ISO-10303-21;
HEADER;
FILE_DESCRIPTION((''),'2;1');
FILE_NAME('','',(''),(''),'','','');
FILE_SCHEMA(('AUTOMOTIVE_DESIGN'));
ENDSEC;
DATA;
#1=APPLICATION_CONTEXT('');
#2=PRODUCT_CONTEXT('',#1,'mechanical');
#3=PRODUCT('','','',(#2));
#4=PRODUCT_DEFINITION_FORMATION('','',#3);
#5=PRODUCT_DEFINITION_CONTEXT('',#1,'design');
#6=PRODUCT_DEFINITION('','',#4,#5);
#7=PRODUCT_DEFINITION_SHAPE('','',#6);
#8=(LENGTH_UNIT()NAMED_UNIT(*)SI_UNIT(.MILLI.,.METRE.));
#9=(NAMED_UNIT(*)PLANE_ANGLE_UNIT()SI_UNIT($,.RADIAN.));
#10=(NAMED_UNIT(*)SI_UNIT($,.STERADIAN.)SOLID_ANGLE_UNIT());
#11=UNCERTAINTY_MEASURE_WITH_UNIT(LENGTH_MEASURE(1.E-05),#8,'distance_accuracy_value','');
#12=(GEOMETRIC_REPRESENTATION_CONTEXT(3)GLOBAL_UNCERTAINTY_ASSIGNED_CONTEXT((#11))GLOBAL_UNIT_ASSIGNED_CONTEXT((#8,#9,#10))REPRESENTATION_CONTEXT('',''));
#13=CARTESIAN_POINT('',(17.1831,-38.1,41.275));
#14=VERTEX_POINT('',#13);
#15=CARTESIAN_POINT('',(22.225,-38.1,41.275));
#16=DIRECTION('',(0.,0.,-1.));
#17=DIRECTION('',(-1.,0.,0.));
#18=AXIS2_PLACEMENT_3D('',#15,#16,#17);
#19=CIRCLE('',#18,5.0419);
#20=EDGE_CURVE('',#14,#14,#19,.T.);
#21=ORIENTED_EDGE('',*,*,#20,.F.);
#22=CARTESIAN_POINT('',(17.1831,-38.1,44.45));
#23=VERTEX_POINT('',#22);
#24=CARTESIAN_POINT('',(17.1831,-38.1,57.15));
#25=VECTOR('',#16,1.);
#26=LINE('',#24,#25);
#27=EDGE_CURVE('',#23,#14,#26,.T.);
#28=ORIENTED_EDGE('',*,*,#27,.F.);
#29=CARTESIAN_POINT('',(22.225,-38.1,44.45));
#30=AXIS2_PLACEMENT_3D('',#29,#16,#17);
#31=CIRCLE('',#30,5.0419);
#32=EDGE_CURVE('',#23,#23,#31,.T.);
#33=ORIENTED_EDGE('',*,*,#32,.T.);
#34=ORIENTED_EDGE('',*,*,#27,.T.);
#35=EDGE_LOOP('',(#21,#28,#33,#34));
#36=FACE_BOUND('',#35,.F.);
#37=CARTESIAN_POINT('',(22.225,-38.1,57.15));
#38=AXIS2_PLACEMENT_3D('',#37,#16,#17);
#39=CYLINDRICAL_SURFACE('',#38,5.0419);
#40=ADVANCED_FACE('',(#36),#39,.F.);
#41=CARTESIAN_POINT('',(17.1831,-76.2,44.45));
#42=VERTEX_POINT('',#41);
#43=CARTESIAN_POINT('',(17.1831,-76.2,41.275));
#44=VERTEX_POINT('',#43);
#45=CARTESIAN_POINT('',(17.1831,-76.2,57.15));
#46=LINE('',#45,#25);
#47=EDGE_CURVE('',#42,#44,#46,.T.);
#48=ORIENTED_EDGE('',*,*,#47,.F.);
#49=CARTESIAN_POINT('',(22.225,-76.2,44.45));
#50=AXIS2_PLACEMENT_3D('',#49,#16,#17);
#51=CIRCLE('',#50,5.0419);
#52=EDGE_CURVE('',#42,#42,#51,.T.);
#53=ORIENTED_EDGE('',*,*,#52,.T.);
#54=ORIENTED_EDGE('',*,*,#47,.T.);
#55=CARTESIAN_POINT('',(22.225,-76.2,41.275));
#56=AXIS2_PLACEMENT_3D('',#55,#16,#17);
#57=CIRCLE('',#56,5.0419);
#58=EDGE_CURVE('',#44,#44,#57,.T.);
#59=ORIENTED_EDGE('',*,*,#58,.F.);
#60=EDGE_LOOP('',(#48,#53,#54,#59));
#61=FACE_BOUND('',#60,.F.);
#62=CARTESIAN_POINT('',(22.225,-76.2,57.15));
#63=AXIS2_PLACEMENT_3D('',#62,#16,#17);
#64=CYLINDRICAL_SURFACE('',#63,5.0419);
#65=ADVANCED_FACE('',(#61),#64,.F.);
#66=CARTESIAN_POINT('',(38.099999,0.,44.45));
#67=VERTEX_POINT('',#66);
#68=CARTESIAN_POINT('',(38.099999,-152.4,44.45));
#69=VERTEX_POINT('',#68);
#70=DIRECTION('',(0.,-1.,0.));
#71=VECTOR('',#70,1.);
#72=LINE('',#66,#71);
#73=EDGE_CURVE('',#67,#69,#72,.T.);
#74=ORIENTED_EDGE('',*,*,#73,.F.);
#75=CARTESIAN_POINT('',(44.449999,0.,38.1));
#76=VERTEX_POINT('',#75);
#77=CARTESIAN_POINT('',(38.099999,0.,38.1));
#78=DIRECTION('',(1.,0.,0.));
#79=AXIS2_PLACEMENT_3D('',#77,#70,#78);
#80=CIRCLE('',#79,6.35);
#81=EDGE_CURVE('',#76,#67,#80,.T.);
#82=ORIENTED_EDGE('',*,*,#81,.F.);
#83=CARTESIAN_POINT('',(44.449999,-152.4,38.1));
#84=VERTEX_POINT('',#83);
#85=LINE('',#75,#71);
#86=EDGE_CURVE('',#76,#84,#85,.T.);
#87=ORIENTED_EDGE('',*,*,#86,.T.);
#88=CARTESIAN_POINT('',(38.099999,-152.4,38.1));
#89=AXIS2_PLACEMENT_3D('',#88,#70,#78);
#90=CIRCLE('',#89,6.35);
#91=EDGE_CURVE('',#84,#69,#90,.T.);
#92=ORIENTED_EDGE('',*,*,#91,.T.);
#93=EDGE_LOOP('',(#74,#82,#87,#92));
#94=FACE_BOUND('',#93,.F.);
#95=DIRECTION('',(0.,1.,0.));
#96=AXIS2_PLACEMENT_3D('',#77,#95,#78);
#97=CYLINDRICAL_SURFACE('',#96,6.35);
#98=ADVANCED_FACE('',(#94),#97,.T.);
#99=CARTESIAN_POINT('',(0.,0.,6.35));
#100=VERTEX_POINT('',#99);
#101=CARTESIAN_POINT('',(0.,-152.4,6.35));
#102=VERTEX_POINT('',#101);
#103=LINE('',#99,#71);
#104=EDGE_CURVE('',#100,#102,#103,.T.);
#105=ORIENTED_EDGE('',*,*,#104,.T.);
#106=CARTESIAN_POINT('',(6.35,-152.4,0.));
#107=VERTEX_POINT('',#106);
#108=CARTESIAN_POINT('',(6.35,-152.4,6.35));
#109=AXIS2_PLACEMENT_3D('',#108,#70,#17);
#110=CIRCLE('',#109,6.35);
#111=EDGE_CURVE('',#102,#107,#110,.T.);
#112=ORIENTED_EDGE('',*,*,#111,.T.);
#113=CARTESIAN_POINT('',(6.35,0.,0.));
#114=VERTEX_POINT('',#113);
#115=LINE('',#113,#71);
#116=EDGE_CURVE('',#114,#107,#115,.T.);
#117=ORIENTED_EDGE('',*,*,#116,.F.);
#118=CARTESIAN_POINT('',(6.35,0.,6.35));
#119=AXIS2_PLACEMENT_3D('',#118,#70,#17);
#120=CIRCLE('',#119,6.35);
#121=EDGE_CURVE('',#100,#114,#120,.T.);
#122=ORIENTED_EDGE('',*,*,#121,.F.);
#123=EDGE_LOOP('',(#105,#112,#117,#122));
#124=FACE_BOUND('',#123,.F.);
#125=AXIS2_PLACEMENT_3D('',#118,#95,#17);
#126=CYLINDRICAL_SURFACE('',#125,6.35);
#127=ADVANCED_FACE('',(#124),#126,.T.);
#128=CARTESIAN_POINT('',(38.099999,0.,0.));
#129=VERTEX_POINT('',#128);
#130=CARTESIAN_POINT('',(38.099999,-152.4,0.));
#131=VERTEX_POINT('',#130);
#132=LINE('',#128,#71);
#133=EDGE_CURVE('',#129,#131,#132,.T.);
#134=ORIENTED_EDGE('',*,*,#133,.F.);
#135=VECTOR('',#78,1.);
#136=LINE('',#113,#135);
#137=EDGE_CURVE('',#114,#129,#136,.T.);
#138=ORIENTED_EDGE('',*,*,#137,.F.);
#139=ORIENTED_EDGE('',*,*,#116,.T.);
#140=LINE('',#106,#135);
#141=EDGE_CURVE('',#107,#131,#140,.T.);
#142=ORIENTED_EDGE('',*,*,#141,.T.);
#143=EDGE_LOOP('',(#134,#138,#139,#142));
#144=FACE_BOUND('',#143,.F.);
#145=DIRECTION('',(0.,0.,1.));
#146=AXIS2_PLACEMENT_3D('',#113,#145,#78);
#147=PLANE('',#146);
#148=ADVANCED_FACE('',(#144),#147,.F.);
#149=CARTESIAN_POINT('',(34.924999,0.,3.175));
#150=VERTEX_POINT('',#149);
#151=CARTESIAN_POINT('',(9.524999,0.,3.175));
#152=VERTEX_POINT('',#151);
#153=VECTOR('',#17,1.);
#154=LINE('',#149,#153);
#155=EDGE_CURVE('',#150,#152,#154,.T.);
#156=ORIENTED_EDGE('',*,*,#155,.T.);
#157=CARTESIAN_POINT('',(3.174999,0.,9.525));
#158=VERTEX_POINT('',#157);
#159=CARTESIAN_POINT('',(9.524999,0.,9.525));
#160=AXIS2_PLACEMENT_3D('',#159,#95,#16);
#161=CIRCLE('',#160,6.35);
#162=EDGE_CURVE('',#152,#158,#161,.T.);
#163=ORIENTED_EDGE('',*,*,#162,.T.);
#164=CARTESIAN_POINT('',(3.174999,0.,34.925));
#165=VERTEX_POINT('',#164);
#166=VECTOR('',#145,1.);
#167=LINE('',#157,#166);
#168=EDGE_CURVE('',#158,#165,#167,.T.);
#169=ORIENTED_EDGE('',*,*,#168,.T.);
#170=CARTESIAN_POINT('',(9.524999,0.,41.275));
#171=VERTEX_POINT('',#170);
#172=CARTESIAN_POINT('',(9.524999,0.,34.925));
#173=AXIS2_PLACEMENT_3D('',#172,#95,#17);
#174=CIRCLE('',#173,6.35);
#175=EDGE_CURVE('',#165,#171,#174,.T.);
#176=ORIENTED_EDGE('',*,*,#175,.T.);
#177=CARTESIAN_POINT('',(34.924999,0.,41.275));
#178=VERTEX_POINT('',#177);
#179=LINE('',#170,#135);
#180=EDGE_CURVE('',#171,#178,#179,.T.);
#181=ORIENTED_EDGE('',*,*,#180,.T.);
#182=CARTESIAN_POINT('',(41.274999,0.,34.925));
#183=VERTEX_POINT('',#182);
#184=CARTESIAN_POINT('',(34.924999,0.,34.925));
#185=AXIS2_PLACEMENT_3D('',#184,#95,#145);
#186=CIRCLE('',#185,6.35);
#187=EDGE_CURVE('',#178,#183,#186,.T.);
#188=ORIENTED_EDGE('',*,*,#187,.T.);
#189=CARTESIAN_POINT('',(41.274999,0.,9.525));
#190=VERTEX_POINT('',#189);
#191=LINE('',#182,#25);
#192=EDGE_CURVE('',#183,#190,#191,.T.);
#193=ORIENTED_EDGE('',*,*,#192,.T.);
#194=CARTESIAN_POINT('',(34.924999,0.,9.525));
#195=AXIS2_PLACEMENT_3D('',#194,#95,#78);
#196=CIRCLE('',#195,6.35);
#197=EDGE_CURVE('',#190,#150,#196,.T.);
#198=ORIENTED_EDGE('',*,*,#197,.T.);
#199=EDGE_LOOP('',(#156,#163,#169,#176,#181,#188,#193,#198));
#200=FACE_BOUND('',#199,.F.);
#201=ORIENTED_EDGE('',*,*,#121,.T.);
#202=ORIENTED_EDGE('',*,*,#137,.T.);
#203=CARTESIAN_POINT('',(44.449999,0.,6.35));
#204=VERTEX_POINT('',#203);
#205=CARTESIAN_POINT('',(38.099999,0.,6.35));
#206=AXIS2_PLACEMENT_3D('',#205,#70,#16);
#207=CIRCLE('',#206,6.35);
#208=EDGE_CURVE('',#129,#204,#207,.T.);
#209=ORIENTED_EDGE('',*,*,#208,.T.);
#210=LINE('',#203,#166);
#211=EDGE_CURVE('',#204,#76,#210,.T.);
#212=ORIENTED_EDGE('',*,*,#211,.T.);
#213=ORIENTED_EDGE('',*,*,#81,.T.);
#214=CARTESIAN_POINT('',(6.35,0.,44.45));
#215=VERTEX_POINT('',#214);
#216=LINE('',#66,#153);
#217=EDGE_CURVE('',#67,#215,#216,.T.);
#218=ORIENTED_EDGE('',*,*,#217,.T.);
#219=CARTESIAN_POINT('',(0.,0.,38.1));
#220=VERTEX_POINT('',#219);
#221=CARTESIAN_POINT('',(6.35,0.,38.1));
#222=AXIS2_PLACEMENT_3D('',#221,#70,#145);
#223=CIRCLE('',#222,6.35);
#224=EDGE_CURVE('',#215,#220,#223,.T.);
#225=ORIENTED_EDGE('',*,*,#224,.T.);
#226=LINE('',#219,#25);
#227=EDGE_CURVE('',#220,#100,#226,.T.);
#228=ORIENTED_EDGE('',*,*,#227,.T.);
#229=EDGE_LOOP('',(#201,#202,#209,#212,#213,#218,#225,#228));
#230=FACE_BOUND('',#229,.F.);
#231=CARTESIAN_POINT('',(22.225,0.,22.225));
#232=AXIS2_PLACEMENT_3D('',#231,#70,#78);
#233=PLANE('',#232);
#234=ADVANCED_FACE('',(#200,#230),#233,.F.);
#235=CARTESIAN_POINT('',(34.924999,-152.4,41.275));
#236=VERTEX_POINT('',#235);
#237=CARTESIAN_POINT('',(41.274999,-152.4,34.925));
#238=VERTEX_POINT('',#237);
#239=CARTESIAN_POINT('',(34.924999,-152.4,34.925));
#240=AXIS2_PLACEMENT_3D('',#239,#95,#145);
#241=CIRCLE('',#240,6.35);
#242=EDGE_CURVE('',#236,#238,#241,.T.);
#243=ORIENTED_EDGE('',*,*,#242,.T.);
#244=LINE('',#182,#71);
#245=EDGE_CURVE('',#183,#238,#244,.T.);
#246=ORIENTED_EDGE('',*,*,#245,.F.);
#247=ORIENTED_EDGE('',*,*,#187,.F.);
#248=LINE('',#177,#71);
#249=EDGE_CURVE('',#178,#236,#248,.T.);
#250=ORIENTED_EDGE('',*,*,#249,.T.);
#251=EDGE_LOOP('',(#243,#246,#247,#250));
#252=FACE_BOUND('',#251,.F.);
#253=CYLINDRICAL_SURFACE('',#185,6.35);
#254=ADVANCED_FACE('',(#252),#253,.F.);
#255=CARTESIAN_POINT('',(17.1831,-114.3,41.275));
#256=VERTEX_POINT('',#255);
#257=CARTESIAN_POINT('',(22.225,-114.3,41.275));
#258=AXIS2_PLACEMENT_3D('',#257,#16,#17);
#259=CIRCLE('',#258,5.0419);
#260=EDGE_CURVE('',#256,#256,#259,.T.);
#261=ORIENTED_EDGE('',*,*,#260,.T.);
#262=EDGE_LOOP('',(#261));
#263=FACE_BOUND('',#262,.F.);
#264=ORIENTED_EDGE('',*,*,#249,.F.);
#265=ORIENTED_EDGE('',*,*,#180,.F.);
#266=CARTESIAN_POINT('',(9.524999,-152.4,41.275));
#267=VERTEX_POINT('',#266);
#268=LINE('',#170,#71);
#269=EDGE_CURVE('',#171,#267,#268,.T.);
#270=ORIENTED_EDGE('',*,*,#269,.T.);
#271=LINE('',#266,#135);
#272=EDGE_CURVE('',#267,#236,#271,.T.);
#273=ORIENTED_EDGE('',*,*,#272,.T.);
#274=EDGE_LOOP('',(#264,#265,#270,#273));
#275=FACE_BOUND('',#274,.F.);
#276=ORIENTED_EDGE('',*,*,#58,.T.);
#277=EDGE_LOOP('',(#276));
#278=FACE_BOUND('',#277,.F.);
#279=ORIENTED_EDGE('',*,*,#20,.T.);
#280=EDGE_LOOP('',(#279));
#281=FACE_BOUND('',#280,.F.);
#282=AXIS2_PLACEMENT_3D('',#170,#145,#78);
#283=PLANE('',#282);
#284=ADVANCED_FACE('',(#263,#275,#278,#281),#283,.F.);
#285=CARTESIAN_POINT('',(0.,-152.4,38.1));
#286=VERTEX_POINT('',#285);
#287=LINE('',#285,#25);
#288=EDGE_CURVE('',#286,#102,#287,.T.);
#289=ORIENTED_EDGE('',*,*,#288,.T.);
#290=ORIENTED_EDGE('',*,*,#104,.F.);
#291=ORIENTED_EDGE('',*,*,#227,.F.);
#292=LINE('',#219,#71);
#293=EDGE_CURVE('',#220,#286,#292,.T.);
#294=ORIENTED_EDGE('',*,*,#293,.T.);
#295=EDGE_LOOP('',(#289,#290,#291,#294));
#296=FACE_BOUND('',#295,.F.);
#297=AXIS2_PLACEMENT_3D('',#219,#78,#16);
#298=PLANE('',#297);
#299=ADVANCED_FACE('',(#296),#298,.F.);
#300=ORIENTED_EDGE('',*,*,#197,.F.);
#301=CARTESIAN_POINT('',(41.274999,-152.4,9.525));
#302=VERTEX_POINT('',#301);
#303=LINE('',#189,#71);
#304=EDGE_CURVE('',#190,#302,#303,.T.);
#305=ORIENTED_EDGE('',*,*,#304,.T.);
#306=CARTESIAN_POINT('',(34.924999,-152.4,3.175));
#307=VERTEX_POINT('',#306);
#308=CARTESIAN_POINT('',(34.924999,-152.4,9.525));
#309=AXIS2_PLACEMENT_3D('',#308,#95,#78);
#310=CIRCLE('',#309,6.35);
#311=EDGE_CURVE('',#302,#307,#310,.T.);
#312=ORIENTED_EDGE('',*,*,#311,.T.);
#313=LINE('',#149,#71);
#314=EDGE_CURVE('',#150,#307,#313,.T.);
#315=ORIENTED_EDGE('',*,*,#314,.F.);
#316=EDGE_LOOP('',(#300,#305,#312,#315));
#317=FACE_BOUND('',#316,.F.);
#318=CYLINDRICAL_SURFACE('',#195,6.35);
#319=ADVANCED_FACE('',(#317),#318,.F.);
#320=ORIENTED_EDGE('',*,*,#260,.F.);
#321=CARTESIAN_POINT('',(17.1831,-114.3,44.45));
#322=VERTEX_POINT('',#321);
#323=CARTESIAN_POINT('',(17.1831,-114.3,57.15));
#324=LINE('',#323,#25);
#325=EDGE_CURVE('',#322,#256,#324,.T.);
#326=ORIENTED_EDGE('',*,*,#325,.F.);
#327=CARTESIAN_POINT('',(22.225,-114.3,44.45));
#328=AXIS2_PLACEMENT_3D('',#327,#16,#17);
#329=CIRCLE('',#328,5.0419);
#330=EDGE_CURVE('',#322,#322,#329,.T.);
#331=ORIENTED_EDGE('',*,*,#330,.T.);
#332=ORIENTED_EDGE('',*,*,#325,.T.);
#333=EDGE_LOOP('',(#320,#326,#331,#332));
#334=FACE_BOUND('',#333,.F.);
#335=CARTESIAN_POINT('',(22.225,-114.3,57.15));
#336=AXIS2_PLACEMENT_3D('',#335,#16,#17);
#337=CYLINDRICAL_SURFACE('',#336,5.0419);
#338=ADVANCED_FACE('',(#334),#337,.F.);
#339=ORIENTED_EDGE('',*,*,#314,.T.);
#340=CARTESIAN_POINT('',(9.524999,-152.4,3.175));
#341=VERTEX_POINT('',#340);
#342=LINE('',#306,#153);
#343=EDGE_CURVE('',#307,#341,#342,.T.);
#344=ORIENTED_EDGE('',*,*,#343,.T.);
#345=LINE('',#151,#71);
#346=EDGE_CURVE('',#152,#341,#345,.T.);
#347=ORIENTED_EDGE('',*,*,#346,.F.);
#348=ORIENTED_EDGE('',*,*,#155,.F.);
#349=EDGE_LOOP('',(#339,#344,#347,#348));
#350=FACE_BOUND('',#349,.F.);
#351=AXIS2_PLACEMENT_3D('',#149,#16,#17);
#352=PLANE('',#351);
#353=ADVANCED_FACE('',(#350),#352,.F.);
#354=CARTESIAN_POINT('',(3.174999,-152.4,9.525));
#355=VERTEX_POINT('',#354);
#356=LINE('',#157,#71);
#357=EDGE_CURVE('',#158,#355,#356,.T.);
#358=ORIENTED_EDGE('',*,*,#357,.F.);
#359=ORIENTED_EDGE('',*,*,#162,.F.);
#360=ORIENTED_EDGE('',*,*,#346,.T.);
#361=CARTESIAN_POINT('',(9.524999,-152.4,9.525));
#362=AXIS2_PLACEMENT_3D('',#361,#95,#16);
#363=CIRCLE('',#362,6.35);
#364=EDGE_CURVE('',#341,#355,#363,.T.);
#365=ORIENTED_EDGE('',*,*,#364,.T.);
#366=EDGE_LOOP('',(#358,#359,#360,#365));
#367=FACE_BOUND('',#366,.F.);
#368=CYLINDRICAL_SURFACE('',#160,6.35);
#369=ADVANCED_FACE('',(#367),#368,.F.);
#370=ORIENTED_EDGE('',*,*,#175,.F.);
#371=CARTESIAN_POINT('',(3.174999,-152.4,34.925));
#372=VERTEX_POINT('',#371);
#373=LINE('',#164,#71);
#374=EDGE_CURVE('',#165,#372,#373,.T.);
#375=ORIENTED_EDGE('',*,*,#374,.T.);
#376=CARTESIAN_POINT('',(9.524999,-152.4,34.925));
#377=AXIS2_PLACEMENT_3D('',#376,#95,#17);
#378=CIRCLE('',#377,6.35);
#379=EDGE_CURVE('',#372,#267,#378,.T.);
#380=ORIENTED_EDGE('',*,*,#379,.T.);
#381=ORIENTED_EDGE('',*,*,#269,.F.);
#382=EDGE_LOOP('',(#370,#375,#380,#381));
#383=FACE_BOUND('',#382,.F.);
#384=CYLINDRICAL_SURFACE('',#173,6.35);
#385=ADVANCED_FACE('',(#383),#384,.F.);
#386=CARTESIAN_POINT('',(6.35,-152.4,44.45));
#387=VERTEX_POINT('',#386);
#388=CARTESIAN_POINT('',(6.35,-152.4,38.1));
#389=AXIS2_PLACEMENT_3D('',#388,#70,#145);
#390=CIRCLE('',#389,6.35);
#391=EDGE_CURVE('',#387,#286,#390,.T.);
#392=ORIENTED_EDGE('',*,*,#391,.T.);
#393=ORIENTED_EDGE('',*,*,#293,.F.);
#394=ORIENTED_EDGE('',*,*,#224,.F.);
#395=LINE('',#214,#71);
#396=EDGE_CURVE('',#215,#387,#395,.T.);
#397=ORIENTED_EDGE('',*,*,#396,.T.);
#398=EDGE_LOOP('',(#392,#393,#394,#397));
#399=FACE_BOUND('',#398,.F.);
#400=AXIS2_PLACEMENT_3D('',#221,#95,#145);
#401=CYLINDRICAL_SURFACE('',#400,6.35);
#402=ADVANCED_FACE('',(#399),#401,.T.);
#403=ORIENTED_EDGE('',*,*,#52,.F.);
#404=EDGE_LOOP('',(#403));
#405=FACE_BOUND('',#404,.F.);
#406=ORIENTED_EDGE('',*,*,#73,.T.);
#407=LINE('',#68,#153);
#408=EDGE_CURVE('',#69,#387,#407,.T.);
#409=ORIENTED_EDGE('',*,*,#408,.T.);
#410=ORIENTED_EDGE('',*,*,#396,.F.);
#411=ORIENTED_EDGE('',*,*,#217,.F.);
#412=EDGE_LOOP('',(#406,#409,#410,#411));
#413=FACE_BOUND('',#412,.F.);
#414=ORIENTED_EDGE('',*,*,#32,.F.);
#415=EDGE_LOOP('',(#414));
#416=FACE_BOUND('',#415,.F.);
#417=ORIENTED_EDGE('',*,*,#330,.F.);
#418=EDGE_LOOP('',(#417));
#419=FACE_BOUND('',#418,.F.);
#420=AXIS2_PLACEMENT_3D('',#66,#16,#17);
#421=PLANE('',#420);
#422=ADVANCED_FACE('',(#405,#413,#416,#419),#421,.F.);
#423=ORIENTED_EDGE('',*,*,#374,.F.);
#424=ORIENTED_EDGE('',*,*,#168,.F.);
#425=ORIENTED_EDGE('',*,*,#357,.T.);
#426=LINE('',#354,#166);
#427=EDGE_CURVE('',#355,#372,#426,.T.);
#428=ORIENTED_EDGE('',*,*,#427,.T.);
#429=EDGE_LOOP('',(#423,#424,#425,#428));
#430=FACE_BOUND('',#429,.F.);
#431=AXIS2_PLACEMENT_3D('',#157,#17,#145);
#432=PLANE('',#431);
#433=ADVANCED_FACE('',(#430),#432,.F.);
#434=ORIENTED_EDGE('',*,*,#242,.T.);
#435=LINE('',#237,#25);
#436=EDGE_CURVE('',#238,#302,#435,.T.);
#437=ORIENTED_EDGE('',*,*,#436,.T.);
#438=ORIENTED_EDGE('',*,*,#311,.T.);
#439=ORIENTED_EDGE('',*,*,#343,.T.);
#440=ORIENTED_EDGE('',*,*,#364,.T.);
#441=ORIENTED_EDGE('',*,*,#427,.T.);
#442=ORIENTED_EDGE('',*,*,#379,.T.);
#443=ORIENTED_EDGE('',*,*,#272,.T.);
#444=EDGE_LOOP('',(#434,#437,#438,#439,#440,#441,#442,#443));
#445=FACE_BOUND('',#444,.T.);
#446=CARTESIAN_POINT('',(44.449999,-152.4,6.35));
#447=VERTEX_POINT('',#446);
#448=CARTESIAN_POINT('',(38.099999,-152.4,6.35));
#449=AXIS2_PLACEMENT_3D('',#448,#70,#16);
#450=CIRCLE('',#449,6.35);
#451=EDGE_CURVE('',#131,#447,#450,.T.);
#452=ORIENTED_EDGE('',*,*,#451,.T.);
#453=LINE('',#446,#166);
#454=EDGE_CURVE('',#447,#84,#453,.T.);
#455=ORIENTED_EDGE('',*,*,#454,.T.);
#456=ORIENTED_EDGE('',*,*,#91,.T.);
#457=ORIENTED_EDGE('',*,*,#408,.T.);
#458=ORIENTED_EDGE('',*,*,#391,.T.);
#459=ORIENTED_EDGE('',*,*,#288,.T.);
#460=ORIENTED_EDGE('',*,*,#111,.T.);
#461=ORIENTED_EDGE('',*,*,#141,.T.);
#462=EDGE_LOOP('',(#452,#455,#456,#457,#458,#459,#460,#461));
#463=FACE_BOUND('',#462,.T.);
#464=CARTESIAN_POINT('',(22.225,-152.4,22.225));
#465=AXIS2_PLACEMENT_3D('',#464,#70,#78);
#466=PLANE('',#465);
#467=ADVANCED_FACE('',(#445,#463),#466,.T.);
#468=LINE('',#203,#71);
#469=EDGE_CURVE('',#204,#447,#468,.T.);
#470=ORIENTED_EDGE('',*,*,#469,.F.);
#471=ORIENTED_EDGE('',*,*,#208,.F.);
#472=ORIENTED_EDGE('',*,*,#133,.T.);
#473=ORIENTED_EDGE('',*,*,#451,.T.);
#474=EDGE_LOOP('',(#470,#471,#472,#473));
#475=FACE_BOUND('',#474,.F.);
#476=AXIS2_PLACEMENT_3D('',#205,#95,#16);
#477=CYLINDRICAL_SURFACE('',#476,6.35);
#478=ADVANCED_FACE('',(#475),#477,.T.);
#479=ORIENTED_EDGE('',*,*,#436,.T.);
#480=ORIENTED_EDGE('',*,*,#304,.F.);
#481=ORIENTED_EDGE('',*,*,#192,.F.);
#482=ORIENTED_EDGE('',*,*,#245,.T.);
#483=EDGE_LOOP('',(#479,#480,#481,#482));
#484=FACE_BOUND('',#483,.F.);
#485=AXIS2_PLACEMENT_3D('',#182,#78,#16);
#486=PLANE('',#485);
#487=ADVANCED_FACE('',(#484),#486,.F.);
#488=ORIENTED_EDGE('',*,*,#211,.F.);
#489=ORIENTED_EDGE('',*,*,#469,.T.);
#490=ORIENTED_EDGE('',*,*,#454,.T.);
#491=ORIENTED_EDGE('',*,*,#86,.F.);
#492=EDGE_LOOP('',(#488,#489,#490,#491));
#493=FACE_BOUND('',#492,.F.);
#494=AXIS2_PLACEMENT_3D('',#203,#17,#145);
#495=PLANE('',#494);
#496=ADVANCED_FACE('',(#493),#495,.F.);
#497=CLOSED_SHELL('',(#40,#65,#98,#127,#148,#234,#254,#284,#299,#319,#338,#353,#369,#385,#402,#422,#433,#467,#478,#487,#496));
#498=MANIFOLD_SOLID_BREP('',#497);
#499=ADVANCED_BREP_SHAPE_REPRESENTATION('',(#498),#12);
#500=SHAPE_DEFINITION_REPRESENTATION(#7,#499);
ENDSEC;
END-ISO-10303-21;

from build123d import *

# Parameters (mm, degrees)
F1_DEPTH = 152.4
F3_D     = 10.0838
F3_DEPTH = 12.7
F3_TIP   = 3.0294791551


with BuildPart() as f1:
    # F0 (on Front) → F1 (new body)
    with BuildSketch(Plane.XZ):
        with BuildLine():
            ThreePointArc((0, 6.35), (1.8598719395, 1.8598719395), (6.35, 0))
            Line((6.35, 0), (38.0999993515, 0))
            ThreePointArc((38.0999993515, 0), (42.5901274121, 1.8598719395), (44.4499993515, 6.35))
            Line((44.4499993515, 6.35), (44.4499993515, 38.1))
            ThreePointArc((44.4499993515, 38.1), (42.5901274121, 42.5901280605), (38.0999993515, 44.45))
            Line((38.0999993515, 44.45), (6.35, 44.45))
            ThreePointArc((6.35, 44.45), (1.8598719395, 42.5901280605), (0, 38.1))
            Line((0, 38.1), (0, 6.35))
        make_face()
        with BuildLine():
            Line((34.9249993515, 3.175), (9.5249993515, 3.175))
            ThreePointArc((9.5249993515, 3.175), (5.034871291, 5.0348719395), (3.1749993515, 9.525))
            Line((3.1749993515, 9.525), (3.1749993515, 34.925))
            ThreePointArc((3.1749993515, 34.925), (5.034871291, 39.4151280605), (9.5249993515, 41.275))
            Line((9.5249993515, 41.275), (34.9249993515, 41.275))
            ThreePointArc((34.9249993515, 41.275), (39.4151274121, 39.4151280605), (41.2749993515, 34.925))
            Line((41.2749993515, 34.925), (41.2749993515, 9.525))
            ThreePointArc((41.2749993515, 9.525), (39.4151274121, 5.0348719395), (34.9249993515, 3.175))
        make_face(mode=Mode.SUBTRACT)
    extrude(amount=F1_DEPTH)

    # F3
    with Locations(Plane.XY.offset(44.45)):
        with Locations((22.2249996758, -114.3), (22.2249996758, -76.2), (22.2249996758, -38.1)):
            Hole(F3_D / 2, depth=F3_DEPTH)
            with Locations((0, 0, -(F3_DEPTH + F3_TIP / 2))):  # 118° drill point
                Cone(0, F3_D / 2, F3_TIP, mode=Mode.SUBTRACT)


solid = f1.part
